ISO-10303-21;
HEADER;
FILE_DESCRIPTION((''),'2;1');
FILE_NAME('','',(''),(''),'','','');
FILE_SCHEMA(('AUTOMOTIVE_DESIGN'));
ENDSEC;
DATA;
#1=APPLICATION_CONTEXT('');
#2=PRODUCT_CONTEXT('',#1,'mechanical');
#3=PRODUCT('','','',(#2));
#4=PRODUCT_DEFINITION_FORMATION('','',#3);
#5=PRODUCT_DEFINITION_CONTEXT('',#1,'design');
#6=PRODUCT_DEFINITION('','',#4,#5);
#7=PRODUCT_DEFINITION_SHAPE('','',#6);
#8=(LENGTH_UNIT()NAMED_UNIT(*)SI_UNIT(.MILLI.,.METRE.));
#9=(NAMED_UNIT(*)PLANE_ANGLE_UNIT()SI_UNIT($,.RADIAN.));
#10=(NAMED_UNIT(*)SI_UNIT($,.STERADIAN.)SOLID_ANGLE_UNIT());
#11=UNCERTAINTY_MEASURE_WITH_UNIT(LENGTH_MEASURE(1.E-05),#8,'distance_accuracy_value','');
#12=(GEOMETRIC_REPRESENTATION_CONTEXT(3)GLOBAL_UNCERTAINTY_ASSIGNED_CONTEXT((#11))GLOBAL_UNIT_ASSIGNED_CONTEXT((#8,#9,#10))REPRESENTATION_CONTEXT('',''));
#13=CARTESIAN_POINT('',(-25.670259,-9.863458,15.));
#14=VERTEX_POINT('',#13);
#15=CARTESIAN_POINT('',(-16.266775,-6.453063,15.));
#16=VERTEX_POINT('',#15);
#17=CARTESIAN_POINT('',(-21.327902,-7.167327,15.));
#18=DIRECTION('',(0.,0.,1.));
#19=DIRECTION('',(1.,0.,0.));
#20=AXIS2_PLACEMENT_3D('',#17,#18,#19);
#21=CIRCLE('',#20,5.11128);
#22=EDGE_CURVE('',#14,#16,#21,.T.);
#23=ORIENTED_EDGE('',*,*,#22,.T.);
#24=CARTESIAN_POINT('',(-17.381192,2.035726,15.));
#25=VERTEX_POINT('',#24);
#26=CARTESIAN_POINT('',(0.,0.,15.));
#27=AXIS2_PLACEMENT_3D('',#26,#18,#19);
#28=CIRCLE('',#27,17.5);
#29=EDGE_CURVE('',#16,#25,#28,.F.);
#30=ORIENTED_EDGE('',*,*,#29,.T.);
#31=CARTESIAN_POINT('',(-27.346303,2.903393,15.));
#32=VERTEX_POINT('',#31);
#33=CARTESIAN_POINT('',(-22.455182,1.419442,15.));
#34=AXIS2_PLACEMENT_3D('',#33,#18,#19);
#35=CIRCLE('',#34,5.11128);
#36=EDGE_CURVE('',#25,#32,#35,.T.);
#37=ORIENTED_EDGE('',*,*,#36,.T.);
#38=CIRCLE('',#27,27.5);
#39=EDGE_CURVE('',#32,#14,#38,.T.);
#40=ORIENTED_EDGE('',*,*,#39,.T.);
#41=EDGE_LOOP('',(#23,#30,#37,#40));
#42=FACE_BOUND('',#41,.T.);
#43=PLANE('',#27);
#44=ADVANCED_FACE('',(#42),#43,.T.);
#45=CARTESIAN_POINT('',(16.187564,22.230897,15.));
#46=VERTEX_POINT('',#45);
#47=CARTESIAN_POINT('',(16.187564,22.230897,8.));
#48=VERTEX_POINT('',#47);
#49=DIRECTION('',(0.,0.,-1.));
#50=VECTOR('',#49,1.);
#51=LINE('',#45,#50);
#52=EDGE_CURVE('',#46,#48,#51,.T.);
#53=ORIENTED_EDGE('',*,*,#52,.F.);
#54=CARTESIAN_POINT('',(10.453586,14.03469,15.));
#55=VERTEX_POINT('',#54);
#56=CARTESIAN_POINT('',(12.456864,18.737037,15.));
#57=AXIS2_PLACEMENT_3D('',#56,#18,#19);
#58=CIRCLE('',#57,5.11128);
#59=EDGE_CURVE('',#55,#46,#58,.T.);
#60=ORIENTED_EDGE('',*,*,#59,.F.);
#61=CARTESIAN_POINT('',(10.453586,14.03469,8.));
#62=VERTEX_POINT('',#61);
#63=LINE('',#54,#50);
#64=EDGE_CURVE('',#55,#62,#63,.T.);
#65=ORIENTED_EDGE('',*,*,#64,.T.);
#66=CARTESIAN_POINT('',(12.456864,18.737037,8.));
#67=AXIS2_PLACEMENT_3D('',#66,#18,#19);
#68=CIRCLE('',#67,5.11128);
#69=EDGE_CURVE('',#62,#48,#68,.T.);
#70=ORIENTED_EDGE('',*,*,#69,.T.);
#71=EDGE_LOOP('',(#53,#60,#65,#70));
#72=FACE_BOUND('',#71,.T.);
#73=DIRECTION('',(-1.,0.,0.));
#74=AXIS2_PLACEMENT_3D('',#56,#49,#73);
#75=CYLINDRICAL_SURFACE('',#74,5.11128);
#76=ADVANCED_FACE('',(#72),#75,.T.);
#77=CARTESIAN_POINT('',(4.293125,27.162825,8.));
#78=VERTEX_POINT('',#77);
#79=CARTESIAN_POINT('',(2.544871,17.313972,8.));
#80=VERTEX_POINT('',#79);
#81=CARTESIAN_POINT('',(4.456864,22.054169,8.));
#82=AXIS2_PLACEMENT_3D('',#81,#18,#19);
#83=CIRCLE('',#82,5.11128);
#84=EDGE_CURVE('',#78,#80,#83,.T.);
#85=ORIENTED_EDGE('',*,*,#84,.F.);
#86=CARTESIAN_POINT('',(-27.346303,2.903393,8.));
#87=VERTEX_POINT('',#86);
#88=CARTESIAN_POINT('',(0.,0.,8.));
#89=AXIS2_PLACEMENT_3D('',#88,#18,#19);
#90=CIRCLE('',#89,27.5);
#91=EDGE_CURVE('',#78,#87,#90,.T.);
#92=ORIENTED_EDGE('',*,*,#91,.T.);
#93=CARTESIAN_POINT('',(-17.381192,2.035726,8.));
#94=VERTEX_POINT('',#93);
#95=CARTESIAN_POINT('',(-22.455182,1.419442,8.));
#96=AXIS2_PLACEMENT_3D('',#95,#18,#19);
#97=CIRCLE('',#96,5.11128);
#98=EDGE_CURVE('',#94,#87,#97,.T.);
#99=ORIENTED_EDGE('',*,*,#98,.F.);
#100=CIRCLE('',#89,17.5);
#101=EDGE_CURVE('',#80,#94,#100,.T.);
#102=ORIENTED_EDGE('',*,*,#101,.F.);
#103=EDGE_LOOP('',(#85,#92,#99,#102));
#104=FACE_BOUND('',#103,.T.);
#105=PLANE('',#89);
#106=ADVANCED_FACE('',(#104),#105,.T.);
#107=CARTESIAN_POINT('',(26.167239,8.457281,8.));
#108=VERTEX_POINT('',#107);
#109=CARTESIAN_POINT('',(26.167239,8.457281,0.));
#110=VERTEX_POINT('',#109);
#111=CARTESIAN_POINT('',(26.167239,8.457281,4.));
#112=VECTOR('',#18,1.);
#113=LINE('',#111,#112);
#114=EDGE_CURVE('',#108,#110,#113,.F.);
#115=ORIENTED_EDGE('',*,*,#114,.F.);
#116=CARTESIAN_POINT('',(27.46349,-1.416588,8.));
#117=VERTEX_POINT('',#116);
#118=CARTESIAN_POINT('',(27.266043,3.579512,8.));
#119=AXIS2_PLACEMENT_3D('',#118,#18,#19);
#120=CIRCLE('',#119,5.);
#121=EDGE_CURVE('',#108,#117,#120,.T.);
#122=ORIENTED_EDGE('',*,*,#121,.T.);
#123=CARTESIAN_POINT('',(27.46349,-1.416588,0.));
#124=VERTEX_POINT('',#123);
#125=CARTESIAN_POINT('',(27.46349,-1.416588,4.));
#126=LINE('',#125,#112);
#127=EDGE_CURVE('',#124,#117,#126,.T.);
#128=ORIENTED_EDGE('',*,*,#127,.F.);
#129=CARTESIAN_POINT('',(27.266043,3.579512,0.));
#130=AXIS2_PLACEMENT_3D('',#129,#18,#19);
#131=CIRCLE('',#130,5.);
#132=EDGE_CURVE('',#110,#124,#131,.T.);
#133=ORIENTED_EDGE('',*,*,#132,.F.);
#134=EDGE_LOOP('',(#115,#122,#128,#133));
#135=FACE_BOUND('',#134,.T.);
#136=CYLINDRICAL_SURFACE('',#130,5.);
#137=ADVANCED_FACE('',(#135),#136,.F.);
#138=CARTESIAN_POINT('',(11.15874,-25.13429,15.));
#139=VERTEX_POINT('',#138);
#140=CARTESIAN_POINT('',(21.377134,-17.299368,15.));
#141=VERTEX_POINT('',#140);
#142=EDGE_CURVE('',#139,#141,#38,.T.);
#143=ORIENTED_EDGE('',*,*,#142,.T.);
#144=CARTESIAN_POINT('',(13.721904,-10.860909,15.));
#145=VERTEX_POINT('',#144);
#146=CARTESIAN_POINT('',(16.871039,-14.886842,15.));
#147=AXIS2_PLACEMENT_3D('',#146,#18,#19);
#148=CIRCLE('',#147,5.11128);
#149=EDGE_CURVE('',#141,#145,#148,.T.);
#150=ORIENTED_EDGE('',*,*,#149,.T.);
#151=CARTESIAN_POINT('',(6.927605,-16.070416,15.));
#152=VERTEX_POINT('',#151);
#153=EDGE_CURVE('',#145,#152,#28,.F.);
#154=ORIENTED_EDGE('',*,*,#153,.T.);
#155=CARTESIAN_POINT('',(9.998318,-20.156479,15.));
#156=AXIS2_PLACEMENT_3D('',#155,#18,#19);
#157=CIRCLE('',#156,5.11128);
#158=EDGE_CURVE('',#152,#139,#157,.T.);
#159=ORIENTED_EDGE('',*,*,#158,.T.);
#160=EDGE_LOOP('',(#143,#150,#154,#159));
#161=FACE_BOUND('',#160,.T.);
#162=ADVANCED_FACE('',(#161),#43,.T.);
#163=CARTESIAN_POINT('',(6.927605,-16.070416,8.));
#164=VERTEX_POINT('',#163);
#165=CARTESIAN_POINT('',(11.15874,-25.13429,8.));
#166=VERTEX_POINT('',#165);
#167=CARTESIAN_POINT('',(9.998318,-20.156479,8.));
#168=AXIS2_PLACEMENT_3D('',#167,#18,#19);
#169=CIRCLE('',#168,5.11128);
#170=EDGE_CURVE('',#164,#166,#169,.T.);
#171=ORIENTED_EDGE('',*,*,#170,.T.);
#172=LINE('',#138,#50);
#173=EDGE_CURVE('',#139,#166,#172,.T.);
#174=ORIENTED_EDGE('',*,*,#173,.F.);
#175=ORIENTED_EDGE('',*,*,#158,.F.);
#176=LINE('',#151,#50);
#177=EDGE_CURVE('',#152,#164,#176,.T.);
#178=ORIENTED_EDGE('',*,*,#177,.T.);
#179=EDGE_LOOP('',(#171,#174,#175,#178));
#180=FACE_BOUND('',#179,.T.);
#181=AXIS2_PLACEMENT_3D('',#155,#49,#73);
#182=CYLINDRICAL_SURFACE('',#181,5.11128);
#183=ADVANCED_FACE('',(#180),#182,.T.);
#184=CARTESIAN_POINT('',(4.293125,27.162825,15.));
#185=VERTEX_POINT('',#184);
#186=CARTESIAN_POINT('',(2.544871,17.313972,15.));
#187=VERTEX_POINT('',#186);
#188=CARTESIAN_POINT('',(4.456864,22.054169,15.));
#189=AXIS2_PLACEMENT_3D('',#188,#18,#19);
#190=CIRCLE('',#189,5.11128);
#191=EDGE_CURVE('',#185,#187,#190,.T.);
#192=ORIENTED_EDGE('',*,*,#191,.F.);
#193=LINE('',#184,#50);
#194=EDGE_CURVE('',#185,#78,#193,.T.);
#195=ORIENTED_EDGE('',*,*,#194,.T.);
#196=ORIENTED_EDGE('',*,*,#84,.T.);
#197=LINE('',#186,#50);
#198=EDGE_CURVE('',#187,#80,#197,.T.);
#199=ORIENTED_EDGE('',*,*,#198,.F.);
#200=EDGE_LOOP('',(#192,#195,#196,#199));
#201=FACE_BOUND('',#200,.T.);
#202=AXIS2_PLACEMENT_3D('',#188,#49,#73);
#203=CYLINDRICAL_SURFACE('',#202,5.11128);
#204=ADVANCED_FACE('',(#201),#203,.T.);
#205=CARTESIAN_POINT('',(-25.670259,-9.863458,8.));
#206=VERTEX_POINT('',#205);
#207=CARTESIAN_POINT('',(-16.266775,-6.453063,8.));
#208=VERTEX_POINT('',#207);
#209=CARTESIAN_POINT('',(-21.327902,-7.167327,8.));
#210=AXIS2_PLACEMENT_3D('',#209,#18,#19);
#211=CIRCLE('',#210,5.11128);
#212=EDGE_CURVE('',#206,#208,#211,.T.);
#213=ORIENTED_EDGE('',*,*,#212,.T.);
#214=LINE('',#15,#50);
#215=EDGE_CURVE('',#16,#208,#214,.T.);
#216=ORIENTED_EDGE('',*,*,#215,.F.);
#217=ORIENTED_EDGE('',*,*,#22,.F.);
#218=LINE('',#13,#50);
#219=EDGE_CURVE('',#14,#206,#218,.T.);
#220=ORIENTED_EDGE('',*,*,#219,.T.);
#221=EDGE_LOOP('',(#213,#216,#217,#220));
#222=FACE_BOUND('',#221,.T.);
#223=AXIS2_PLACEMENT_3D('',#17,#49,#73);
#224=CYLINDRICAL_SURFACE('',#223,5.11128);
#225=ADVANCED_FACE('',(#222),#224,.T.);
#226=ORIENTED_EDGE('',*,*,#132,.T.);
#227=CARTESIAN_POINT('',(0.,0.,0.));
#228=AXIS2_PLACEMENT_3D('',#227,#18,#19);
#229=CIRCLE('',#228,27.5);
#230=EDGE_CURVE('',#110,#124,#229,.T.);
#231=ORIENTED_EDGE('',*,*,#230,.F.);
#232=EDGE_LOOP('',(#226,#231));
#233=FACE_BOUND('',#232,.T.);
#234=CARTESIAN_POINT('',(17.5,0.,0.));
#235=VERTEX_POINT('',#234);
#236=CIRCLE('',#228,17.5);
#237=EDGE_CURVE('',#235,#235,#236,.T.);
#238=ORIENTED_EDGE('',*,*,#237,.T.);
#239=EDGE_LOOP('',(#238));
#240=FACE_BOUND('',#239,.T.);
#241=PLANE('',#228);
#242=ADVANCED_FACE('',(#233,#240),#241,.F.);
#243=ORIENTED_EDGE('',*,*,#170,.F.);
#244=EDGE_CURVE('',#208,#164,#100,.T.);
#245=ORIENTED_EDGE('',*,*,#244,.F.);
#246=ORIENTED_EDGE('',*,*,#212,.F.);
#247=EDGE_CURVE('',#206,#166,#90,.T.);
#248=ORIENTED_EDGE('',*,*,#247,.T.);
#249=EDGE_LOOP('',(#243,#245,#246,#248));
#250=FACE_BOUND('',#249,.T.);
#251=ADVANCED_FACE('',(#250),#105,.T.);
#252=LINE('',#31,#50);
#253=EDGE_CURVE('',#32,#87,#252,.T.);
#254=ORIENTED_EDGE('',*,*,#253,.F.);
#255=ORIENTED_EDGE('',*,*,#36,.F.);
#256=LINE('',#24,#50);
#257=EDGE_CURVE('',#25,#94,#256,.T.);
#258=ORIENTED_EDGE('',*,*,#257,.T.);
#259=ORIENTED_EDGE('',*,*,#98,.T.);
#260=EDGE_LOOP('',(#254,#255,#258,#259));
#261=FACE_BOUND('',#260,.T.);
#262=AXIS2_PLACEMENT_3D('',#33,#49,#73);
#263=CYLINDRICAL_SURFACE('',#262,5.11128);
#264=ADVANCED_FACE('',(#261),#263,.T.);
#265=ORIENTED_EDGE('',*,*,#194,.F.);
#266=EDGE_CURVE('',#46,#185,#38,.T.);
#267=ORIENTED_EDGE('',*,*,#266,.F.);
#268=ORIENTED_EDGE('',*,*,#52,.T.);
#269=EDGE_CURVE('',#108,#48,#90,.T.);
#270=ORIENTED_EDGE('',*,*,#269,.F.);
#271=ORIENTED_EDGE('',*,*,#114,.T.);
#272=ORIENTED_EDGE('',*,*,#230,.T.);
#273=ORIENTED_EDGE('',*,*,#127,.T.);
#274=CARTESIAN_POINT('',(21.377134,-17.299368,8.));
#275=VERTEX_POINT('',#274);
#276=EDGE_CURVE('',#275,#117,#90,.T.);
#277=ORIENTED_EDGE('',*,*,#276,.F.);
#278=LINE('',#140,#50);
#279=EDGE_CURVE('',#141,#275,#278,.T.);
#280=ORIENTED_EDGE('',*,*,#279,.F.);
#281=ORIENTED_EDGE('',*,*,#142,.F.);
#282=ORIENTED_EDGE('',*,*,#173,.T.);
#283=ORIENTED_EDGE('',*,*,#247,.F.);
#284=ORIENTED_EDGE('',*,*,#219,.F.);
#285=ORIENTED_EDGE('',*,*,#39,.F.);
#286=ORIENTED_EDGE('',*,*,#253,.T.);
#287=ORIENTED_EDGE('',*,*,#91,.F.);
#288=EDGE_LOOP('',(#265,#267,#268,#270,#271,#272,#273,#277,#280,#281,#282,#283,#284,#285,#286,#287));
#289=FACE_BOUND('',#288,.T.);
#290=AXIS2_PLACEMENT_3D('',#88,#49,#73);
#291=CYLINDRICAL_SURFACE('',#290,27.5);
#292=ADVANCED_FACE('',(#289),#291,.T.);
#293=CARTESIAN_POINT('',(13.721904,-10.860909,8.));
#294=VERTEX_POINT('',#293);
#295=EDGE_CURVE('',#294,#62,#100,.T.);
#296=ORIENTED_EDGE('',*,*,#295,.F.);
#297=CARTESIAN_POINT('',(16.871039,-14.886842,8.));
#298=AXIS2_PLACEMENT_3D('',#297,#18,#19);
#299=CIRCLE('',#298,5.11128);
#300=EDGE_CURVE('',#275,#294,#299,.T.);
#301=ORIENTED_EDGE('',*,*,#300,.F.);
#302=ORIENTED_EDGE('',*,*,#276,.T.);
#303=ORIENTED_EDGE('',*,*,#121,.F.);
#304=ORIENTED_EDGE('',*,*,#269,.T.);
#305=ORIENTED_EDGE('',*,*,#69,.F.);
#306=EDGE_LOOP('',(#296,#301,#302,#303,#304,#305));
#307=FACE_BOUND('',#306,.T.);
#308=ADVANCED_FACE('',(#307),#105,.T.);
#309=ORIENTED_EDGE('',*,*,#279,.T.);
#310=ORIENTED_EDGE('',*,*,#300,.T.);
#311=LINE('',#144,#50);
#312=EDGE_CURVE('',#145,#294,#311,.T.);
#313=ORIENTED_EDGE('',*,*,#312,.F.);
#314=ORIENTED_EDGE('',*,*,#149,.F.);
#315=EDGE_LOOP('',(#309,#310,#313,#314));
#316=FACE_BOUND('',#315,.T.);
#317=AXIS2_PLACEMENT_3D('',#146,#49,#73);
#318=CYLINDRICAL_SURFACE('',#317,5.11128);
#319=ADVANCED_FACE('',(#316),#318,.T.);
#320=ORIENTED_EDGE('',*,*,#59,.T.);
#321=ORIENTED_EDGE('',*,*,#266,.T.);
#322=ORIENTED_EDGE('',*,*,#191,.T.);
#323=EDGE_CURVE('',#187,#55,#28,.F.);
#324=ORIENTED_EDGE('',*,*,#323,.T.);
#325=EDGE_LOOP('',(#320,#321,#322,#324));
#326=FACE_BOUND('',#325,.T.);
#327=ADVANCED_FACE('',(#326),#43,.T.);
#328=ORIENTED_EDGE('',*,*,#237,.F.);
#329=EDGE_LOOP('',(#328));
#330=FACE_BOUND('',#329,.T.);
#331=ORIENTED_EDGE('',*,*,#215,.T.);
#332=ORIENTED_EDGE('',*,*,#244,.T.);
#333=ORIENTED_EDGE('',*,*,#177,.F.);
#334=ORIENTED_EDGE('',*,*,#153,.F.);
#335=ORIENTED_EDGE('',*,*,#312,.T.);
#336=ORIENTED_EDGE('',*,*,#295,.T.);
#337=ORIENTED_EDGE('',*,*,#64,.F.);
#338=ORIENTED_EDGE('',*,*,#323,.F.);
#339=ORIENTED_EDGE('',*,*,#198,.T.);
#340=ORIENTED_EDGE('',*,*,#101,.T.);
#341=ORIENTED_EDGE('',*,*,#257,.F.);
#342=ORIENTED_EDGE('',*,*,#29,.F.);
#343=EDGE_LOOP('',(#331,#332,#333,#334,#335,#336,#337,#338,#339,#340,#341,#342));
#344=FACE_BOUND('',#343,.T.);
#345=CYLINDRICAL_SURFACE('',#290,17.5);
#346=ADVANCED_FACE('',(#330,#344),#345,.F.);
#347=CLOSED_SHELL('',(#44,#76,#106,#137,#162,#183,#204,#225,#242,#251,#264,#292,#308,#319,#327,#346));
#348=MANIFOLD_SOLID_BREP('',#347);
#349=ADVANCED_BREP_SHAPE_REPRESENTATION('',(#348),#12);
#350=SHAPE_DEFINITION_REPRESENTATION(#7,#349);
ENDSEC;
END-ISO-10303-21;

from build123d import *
from build123d.topology import SkipClean

# Parameters (mm, degrees)
SKETCH1_R           = 27.5
SKETCH1_R_2         = 17.5
BOSS_EXTRUDE1_DEPTH = 8
BOSS_EXTRUDE2_DEPTH = 7
SKETCH4_R           = 5
CUT_EXTRUDE1_DEPTH  = 40.705163392


with BuildPart() as part:
    # Sketch1 → Boss-Extrude1 (new body)
    with BuildSketch(Plane.XY):
        Circle(SKETCH1_R)
        Circle(SKETCH1_R_2, mode=Mode.SUBTRACT)
    extrude(amount=BOSS_EXTRUDE1_DEPTH)

    # Sketch2 → Boss-Extrude2 (add)
    with SkipClean():  # the faces are left unmerged after this step: merging them gives an invalid solid
        with BuildSketch(Plane.XY.offset(8)):
            with BuildLine():
                ThreePointArc((10.453586197, 14.034690435), (16.644995589, 15.807064972), (16.187563711, 22.230896993))
                ThreePointArc((16.187563711, 22.230896993), (10.533073102, 25.40284179), (4.293124723, 27.162825334))
                ThreePointArc((4.293124723, 27.162825334), (-0.575744113, 22.947498772), (2.54487111, 17.313972133))
                ThreePointArc((2.54487111, 17.313972133), (6.702864701, 16.165444776), (10.453586197, 14.034690435))
            make_face()
            with BuildLine():
                ThreePointArc((-17.38119155, 2.03572599), (-22.011817619, 6.51145654), (-27.3463034, 2.903392903))
                ThreePointArc((-27.3463034, 2.903392903), (-27.26604287, -3.579512009), (-25.670259139, -9.863457595))
                ThreePointArc((-25.670259139, -9.863457595), (-19.585244834, -11.972358414), (-16.266775263, -6.453063036))
                ThreePointArc((-16.266775263, -6.453063036), (-17.35111819, -2.277871278), (-17.38119155, 2.03572599))
            make_face()
            with BuildLine():
                ThreePointArc((21.377134416, -17.299367738), (20.160988946, -10.975140359), (13.721904153, -10.860909097))
                ThreePointArc((13.721904153, -10.860909097), (10.648253489, -13.887573497), (6.927605353, -16.070416425))
                ThreePointArc((6.927605353, -16.070416425), (5.36682203, -22.318521512), (11.158739689, -25.134289896))
                ThreePointArc((11.158739689, -25.134289896), (16.732969768, -21.823329781), (21.377134416, -17.299367738))
            make_face()
        extrude(amount=BOSS_EXTRUDE2_DEPTH)

    # Sketch4 → Cut-Extrude1 (cut, through all)
    with SkipClean():  # the faces are left unmerged after this step: merging them gives an invalid solid
        with BuildSketch(Plane.XY.offset(8)):
            with Locations((27.26604287, 3.579512009)):
                Circle(SKETCH4_R)
        extrude(amount=-CUT_EXTRUDE1_DEPTH, mode=Mode.SUBTRACT)


solid = part.part
